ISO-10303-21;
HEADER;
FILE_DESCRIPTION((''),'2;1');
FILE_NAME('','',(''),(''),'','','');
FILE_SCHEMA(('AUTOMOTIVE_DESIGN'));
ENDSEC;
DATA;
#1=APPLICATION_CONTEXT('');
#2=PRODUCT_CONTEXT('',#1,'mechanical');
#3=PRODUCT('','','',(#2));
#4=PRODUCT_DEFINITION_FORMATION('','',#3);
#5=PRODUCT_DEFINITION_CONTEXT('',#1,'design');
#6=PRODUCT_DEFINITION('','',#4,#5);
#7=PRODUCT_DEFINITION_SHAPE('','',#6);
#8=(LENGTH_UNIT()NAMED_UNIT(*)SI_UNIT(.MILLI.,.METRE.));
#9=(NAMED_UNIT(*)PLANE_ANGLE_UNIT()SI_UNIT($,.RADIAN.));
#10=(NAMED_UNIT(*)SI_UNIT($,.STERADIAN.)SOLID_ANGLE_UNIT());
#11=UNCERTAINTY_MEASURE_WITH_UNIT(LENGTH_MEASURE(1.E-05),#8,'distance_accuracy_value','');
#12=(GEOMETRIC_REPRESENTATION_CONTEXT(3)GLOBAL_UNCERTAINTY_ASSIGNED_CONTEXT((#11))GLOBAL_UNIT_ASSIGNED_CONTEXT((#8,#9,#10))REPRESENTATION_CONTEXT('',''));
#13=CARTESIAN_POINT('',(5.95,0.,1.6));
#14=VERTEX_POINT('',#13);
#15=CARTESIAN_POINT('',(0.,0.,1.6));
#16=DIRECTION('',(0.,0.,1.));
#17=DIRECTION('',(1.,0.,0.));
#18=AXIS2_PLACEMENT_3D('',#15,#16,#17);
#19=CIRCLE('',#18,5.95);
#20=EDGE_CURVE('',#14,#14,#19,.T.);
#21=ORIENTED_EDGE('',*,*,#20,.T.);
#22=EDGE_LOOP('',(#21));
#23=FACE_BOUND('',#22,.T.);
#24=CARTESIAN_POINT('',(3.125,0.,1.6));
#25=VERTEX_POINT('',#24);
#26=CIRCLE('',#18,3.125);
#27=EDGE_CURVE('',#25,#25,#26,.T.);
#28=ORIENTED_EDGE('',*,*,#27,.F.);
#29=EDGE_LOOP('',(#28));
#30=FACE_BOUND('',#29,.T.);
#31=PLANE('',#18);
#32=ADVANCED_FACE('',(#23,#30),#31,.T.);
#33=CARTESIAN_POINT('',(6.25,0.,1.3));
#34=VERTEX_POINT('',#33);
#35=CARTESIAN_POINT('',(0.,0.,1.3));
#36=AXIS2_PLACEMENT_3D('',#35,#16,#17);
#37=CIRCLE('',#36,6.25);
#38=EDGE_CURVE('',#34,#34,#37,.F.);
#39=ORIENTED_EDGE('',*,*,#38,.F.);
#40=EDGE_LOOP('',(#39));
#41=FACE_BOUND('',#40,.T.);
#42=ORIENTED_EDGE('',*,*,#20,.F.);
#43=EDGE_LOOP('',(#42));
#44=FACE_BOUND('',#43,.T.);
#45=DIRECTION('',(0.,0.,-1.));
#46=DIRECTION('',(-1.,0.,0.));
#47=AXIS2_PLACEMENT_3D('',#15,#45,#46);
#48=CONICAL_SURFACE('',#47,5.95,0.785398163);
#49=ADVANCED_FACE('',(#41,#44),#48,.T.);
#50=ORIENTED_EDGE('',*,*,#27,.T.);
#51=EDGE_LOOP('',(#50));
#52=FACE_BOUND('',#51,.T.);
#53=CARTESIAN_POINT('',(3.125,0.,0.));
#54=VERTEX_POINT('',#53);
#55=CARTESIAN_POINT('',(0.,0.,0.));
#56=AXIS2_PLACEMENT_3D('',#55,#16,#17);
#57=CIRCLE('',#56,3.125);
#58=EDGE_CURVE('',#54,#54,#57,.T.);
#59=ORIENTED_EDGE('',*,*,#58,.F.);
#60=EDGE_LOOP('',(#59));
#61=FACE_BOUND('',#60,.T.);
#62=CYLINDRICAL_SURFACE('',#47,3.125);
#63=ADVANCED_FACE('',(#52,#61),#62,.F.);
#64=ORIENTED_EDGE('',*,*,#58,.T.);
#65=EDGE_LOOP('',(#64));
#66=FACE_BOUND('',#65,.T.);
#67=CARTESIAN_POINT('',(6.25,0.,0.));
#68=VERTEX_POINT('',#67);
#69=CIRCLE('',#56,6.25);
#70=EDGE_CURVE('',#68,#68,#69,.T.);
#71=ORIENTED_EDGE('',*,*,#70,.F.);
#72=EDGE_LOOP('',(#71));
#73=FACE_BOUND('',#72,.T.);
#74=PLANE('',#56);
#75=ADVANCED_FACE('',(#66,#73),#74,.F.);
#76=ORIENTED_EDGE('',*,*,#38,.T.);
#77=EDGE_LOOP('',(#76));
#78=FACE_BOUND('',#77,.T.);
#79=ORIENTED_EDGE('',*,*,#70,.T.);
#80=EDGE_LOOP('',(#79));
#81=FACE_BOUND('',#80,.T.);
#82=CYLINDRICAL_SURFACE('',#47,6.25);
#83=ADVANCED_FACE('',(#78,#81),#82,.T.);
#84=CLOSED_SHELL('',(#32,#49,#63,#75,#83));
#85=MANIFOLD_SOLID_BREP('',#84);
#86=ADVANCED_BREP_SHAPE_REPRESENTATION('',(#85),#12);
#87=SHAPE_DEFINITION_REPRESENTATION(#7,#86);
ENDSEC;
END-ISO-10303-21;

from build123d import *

# Parameters (mm, degrees)
CROQUIS1_R              = 6.25
CROQUIS1_R_2            = 3.125
SALIENTE_EXTRUIR1_DEPTH = 1.6
CHAFL_N1_SIZE           = 0.3


with BuildPart() as part:
    # Croquis1 → Saliente-Extruir1 (new body)
    with BuildSketch(Plane.XY):
        Circle(CROQUIS1_R)
        Circle(CROQUIS1_R_2, mode=Mode.SUBTRACT)
    extrude(amount=SALIENTE_EXTRUIR1_DEPTH)

    # Chaflán1
    chafl_n1_edges = [part.edges().sort_by_distance(p)[0] for p in [
        (-6.25, 0, 1.6),
    ]]
    chamfer(chafl_n1_edges, length=CHAFL_N1_SIZE)


solid = part.part
